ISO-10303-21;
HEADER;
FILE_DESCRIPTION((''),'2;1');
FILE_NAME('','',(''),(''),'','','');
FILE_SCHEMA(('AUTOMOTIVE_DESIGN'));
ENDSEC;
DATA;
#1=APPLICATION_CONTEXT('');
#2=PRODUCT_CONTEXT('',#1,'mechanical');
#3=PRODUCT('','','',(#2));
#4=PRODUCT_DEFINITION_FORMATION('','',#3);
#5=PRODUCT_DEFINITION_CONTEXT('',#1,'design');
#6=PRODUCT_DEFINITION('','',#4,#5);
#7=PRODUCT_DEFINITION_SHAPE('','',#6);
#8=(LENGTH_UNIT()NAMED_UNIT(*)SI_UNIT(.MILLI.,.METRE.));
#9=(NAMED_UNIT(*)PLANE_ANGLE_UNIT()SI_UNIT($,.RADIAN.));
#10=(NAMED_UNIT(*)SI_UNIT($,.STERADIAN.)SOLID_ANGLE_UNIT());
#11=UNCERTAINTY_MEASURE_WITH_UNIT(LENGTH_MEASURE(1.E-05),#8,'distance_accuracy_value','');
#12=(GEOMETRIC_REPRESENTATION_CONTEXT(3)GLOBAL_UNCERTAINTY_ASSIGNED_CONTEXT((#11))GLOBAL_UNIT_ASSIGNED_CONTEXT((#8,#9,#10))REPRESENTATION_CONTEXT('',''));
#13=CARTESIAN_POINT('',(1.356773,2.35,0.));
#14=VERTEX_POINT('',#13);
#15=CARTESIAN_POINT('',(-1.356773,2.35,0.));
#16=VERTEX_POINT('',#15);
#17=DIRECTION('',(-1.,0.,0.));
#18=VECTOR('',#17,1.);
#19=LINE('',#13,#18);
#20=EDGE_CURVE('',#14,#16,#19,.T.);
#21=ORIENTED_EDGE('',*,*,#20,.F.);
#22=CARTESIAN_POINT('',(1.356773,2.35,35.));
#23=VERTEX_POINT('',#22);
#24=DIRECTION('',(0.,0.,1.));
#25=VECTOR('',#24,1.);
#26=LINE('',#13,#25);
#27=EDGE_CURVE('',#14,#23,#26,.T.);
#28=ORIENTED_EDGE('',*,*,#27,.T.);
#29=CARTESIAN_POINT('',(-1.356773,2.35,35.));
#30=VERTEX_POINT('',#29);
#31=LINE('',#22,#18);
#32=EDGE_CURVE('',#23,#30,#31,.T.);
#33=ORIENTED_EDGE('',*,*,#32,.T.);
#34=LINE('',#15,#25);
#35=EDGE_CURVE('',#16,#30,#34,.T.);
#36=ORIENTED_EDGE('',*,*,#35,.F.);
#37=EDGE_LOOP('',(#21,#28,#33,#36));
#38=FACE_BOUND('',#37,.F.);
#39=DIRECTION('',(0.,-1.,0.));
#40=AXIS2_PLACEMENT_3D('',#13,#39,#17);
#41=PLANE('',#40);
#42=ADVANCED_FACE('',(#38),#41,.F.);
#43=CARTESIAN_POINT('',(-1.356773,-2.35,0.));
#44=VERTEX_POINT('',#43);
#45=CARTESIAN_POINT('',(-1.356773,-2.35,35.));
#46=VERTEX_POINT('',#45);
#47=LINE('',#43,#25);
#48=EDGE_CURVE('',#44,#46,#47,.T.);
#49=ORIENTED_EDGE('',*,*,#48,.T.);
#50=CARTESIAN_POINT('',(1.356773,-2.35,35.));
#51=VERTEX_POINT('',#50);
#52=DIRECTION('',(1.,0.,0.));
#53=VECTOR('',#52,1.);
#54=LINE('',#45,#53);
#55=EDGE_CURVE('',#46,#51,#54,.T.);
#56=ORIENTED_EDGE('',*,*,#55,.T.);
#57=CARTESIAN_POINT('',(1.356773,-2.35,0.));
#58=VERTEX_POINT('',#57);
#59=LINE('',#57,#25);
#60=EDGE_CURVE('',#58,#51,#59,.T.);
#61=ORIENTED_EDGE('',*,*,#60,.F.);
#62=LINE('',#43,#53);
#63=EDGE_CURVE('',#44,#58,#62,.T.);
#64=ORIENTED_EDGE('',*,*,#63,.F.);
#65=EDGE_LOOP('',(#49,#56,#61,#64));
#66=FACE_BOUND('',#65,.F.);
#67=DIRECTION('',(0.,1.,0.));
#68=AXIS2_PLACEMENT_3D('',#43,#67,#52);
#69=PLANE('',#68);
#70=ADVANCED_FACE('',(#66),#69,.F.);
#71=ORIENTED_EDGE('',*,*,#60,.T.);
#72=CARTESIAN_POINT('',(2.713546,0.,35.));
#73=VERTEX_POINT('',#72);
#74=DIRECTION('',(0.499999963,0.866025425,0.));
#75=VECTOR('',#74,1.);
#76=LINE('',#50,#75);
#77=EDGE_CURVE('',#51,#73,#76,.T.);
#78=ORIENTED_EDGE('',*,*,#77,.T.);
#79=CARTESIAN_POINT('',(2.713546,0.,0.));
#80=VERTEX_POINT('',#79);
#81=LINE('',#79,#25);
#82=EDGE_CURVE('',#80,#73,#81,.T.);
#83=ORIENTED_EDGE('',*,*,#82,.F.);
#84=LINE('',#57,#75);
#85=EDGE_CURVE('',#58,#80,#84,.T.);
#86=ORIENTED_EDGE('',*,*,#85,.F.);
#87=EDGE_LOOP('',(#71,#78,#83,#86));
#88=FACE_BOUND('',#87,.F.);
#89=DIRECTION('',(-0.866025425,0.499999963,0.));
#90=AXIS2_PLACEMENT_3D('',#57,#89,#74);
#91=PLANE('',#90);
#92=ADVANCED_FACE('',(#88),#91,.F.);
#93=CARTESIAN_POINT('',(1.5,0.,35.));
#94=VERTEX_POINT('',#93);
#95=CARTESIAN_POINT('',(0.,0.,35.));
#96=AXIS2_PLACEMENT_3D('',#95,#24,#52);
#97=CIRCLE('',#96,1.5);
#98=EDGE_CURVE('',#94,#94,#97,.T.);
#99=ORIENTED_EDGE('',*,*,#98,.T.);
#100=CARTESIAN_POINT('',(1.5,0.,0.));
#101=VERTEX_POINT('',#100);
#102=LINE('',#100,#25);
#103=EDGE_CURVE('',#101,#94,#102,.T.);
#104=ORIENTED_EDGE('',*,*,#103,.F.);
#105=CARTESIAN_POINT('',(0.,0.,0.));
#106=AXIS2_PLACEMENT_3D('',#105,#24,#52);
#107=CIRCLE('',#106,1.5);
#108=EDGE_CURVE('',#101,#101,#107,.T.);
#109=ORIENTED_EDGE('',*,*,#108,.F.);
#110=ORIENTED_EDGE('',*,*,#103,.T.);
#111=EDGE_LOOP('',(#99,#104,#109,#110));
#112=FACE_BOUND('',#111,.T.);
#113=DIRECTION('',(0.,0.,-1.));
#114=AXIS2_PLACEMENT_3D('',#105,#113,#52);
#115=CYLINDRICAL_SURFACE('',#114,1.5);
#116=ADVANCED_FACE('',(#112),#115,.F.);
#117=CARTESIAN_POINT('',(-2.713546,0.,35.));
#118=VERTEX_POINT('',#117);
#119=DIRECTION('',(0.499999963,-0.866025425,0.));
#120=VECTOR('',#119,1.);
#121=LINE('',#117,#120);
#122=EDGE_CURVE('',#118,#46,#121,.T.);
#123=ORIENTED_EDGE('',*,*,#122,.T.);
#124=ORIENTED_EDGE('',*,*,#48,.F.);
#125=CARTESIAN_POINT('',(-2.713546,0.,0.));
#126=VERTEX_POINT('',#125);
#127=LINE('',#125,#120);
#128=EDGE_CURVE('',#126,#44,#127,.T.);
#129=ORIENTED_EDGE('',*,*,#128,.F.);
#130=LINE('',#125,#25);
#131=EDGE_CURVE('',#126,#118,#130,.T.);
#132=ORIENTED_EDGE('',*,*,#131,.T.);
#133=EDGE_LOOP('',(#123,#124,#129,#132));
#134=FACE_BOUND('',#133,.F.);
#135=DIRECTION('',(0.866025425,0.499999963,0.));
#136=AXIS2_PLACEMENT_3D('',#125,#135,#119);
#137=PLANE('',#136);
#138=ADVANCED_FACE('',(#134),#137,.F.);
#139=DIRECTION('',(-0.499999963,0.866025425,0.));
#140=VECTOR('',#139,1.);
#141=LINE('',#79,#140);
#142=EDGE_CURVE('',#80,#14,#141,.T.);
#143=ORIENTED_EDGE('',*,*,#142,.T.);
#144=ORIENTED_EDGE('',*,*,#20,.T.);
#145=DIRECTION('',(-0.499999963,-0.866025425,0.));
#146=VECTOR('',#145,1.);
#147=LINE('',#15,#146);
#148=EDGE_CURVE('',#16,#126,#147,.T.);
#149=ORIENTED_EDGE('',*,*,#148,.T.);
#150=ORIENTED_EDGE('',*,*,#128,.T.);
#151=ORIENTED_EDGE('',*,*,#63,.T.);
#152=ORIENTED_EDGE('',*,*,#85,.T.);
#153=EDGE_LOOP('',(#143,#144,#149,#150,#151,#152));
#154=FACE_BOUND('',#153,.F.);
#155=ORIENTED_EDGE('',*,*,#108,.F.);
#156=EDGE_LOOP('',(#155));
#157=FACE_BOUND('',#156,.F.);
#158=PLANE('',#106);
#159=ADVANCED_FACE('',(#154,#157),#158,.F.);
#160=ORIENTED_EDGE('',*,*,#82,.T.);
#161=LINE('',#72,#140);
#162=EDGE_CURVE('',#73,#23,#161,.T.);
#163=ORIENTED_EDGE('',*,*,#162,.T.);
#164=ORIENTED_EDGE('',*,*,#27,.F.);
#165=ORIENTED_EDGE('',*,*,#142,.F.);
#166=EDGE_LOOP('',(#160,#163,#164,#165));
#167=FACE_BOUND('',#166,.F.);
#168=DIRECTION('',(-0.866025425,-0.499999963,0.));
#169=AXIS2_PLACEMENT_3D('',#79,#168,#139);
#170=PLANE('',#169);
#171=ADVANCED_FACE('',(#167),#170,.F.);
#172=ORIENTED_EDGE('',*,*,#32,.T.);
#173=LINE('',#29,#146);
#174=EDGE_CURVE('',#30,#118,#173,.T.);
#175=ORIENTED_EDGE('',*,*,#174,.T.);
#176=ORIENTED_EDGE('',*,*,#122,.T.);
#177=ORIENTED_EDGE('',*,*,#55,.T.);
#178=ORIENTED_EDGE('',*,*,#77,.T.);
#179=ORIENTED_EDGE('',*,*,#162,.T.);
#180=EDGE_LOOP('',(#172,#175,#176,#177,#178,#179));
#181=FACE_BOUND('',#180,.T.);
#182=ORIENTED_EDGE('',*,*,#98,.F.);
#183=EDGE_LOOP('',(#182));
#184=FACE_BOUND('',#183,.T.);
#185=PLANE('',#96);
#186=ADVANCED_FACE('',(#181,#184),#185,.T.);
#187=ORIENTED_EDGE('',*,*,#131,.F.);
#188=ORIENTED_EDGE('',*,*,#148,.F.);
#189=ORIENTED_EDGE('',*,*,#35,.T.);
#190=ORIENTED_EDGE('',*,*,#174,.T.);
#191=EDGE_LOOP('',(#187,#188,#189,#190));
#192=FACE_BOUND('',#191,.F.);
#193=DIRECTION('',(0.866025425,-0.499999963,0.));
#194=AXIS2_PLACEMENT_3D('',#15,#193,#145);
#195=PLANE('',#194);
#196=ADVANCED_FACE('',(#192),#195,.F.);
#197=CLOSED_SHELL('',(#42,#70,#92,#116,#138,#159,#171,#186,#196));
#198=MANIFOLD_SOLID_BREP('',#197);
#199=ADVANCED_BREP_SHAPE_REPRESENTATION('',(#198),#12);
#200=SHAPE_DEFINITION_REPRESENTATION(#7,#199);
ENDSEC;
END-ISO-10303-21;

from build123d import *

# Parameters (mm, degrees)
SKETCH_R  = 1.5
PAD_DEPTH = 35


with BuildPart() as part:
    # Sketch → Pad (new body)
    with BuildSketch(Plane.XY):
        Polygon((1.356773, -2.35), (2.713546, 0), (1.356773, 2.35), (-1.356773, 2.35), (-2.713546, 0), (-1.356773, -2.35), align=None)
        Circle(SKETCH_R, mode=Mode.SUBTRACT)
    extrude(amount=PAD_DEPTH)


solid = part.part
